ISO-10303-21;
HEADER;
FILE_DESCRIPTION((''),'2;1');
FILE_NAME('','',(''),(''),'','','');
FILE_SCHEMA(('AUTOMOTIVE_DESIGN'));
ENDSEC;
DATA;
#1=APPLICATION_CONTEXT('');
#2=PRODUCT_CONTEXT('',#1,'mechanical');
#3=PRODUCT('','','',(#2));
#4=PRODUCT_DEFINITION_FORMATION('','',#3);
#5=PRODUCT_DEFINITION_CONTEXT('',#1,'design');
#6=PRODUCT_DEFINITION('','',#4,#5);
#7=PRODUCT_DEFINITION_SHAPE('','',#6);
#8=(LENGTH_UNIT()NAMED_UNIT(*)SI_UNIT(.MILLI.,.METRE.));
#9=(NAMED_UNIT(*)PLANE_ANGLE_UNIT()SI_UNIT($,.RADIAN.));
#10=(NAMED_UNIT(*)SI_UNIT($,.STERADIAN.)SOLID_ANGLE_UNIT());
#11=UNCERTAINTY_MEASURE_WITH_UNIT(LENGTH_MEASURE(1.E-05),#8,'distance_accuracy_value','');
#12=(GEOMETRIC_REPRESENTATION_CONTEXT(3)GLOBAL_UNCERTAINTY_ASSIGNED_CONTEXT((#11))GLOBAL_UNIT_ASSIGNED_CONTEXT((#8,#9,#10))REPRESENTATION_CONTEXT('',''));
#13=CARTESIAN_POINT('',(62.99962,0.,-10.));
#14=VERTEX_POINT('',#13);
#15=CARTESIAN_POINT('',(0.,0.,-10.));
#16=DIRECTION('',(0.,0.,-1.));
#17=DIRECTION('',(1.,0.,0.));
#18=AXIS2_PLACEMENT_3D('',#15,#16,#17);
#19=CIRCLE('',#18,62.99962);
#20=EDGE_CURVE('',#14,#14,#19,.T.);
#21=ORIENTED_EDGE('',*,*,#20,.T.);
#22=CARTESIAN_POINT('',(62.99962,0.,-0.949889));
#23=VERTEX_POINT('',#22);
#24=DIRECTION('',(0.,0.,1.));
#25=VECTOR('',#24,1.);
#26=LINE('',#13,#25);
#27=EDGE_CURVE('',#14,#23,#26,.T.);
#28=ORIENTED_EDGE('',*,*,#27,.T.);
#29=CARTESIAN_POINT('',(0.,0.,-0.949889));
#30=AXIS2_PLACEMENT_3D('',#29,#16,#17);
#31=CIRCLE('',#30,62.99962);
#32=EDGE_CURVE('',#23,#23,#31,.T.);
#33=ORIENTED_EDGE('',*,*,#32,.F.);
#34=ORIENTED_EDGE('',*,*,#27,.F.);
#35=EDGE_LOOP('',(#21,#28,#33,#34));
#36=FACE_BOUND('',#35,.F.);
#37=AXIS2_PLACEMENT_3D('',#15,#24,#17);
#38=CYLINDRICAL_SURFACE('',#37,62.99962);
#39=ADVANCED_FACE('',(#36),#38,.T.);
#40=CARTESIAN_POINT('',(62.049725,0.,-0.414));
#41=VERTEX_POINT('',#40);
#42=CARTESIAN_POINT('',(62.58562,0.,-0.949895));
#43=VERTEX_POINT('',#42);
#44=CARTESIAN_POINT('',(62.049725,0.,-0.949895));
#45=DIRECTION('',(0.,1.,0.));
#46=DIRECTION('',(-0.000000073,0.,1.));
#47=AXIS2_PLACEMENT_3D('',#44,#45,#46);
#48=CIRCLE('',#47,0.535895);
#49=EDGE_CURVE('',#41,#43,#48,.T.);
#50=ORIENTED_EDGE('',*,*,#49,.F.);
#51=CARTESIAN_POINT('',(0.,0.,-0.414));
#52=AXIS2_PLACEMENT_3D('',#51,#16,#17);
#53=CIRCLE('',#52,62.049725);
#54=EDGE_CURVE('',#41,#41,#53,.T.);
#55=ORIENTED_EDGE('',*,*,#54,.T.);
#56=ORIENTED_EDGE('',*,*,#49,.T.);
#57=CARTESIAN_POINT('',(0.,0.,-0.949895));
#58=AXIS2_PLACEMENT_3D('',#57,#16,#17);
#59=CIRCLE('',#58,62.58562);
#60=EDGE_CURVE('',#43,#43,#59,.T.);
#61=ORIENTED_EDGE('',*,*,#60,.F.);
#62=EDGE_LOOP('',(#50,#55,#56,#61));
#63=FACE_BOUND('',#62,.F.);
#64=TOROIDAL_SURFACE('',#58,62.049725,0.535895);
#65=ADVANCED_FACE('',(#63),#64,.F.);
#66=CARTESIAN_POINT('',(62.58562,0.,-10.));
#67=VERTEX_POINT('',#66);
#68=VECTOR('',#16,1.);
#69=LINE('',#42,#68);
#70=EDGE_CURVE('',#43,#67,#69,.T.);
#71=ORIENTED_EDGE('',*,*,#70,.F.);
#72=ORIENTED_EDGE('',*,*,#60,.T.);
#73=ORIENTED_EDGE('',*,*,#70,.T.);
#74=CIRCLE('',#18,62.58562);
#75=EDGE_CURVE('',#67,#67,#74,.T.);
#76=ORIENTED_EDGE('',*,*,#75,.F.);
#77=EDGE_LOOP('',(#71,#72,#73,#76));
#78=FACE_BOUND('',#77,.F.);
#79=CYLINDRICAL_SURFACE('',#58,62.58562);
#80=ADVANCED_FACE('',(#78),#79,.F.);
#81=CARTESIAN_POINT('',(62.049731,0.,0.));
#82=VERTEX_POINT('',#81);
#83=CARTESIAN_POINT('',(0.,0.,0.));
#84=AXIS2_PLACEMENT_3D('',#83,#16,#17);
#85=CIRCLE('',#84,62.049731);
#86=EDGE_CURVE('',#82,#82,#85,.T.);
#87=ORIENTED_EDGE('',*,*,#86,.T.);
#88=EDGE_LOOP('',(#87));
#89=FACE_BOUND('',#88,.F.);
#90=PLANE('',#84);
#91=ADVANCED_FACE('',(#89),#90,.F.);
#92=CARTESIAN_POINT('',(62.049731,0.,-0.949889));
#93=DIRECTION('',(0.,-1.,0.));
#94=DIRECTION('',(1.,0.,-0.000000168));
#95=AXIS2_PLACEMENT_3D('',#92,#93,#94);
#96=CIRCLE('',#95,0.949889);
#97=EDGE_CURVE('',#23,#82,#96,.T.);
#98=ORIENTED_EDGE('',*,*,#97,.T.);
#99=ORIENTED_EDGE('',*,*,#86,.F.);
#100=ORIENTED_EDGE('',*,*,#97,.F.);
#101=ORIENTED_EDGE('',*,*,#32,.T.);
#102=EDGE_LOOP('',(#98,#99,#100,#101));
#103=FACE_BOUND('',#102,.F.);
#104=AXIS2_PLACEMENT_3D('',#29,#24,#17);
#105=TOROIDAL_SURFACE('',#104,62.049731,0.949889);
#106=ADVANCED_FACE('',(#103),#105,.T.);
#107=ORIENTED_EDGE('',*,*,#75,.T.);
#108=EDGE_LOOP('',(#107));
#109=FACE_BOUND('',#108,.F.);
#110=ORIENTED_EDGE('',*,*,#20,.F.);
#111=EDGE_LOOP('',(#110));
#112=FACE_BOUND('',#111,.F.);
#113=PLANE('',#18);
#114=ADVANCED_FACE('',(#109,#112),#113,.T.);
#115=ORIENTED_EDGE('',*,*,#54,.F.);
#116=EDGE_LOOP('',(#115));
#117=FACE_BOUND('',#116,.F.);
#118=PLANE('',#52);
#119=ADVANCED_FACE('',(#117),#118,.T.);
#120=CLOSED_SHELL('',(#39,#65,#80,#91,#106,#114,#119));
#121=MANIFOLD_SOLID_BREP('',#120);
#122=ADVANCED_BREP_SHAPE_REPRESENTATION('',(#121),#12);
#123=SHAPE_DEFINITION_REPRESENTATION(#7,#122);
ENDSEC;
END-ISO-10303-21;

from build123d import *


with BuildPart() as f1:
    # F0 (on Front) → F1 (revolve)
    with BuildSketch(Plane.XZ):
        with BuildLine():
            Line((62.049731, 0), (0, 0))
            Line((0, 0), (0, -0.414))
            Line((0, -0.414), (62.049725, -0.414))
            ThreePointArc((62.049725, -0.414), (62.42866, -0.57096), (62.58562, -0.949895))
            Line((62.58562, -0.949895), (62.58562, -10))
            Line((62.58562, -10), (62.99962, -10))
            Line((62.99962, -10), (62.99962, -0.949889))
            ThreePointArc((62.99962, -0.949889), (62.721404, -0.278216), (62.049731, 0))
        make_face()
    revolve(axis=Axis((0, 0, -0.207), (0, 0, -1)))


solid = f1.part
